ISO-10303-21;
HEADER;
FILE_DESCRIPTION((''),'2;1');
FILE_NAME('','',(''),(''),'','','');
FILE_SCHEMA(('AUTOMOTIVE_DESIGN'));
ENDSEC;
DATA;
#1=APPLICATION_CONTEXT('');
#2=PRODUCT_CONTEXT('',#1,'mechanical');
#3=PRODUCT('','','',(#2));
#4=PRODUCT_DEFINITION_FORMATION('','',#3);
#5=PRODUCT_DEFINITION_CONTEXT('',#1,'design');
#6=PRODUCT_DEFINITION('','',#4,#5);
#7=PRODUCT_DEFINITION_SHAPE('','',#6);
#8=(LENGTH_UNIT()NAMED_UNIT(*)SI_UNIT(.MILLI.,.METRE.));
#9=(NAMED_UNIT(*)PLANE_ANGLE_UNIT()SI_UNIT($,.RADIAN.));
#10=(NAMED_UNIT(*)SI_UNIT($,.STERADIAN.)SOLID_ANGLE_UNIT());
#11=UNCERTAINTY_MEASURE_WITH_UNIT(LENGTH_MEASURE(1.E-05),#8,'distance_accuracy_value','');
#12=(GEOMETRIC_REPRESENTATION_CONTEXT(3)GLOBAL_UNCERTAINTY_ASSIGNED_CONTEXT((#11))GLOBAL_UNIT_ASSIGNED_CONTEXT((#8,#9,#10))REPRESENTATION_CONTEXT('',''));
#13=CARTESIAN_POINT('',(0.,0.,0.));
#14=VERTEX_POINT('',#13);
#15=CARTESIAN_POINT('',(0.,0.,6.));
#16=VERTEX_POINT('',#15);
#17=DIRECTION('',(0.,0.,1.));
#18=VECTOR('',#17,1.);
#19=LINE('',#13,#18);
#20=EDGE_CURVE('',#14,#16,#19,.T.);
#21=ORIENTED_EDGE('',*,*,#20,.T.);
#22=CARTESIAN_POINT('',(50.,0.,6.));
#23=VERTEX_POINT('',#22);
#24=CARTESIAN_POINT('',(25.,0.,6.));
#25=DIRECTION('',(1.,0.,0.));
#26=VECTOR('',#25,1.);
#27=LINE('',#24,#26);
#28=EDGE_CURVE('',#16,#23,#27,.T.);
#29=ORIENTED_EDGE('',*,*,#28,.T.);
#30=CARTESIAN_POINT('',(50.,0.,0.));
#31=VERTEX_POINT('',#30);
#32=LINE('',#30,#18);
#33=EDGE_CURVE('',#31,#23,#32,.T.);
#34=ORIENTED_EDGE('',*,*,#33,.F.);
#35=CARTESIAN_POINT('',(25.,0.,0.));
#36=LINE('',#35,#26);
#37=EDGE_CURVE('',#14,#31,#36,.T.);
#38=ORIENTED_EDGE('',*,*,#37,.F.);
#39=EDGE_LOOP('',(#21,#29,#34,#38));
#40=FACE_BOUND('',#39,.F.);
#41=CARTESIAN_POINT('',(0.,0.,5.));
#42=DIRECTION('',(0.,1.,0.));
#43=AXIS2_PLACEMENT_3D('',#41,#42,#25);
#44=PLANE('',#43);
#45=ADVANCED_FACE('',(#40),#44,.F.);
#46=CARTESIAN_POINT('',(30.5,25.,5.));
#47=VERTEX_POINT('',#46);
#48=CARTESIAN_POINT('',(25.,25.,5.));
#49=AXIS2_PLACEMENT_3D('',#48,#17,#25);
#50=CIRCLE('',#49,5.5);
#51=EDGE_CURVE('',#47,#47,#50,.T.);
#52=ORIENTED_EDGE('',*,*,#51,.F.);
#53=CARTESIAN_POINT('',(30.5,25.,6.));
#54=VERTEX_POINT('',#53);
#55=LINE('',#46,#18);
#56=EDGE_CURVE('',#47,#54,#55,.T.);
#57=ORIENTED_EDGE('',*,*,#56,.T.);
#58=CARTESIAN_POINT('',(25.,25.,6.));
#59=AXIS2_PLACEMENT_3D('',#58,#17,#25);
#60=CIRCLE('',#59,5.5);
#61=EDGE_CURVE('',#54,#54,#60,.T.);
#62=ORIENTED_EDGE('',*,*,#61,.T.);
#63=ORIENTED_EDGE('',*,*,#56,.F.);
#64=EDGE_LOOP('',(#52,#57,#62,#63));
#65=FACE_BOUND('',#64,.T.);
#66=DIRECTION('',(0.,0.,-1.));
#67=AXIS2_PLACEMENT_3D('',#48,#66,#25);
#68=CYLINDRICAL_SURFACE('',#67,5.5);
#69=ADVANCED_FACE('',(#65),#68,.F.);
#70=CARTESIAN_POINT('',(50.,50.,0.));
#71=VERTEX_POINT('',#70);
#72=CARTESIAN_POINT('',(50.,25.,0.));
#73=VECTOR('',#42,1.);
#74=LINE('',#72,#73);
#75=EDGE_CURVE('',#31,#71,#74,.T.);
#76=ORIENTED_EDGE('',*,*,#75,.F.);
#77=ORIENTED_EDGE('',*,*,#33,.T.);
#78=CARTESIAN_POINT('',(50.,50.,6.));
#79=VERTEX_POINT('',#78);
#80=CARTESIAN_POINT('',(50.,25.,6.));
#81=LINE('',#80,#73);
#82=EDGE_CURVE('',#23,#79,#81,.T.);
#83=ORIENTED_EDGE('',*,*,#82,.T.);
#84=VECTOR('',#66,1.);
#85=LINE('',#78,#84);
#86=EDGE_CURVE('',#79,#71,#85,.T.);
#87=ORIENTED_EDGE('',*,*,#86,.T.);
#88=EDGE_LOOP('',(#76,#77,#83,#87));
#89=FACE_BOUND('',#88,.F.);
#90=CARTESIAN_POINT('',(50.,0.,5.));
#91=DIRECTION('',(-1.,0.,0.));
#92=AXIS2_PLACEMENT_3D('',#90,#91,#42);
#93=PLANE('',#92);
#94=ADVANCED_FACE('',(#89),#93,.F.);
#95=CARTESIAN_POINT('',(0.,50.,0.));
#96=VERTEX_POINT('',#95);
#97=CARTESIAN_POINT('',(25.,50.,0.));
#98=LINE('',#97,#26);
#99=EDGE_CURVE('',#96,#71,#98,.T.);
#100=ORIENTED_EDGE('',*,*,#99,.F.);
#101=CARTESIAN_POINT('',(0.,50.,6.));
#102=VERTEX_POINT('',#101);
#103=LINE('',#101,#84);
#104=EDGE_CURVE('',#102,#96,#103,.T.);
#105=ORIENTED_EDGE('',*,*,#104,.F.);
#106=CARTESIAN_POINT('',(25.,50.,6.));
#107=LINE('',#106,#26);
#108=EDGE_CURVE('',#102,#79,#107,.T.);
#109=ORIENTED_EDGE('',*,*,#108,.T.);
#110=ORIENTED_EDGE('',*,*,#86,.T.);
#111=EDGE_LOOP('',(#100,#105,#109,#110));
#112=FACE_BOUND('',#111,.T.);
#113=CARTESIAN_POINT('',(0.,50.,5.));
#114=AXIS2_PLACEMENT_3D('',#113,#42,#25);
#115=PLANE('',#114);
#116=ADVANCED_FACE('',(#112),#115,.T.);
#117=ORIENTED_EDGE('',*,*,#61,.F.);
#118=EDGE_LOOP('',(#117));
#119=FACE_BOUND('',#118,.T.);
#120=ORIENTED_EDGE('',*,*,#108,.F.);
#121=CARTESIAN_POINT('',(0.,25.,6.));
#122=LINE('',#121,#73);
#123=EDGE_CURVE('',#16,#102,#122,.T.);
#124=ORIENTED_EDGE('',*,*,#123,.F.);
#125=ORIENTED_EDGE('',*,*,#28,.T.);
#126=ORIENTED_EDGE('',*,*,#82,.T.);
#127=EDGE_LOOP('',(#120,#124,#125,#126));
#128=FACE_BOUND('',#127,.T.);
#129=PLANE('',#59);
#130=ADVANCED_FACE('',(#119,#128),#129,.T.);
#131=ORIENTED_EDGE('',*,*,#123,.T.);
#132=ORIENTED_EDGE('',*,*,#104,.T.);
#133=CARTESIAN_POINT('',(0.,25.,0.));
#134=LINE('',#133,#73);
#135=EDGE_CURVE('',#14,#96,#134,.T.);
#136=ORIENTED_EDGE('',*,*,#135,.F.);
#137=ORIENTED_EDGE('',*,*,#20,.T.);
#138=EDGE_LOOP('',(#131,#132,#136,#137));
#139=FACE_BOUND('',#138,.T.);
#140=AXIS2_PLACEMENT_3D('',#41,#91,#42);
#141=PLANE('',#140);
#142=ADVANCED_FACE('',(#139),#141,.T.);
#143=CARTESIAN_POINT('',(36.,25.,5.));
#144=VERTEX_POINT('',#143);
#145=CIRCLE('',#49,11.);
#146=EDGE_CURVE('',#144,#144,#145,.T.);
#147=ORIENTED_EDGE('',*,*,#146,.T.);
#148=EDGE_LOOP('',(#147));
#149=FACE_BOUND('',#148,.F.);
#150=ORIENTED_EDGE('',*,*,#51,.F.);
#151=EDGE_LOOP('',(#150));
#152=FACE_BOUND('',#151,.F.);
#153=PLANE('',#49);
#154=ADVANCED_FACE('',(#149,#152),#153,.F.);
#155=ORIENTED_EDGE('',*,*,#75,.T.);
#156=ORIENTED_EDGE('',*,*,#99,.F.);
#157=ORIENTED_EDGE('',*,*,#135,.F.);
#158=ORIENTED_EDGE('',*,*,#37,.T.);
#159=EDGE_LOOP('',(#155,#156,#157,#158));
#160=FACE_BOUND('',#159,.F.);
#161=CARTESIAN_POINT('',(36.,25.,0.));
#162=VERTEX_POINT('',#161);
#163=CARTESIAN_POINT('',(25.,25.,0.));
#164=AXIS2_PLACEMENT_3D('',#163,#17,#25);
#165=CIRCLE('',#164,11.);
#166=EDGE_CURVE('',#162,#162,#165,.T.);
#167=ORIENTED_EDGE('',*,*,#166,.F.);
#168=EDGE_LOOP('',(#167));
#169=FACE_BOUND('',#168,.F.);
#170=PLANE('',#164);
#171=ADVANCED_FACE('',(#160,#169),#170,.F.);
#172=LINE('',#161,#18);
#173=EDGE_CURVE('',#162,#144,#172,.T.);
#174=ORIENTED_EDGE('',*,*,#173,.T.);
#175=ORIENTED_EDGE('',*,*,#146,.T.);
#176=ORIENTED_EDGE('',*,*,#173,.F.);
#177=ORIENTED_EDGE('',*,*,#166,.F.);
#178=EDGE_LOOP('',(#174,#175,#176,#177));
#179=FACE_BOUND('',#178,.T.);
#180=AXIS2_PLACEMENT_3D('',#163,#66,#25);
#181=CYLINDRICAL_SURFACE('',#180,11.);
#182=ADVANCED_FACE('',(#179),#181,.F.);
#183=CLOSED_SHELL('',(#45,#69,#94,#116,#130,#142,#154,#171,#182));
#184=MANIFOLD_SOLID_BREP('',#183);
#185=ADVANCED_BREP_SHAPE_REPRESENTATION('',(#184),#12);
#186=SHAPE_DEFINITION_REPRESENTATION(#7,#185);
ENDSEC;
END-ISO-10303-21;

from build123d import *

# Parameters (mm, degrees)
SKETCH_W     = 50
SKETCH_H     = 50
SKETCH_R     = 11
PAD_DEPTH    = 5
SKETCH001_W  = 50
SKETCH001_H  = 50
SKETCH001_R  = 5.5
PAD001_DEPTH = 1


with BuildPart() as part:
    # Sketch → Pad (new body)
    with BuildSketch(Plane.XY):
        with Locations((25, 25)):
            Rectangle(SKETCH_W, SKETCH_H)
        with Locations((25, 25)):
            Circle(SKETCH_R, mode=Mode.SUBTRACT)
    extrude(amount=PAD_DEPTH)

    # Sketch001 → Pad001 (new body)
    with BuildSketch(Plane.XY.offset(5)):
        with Locations((25, 25)):
            Rectangle(SKETCH001_W, SKETCH001_H)
        with Locations((25, 25)):
            Circle(SKETCH001_R, mode=Mode.SUBTRACT)
    extrude(amount=PAD001_DEPTH)


solid = part.part
